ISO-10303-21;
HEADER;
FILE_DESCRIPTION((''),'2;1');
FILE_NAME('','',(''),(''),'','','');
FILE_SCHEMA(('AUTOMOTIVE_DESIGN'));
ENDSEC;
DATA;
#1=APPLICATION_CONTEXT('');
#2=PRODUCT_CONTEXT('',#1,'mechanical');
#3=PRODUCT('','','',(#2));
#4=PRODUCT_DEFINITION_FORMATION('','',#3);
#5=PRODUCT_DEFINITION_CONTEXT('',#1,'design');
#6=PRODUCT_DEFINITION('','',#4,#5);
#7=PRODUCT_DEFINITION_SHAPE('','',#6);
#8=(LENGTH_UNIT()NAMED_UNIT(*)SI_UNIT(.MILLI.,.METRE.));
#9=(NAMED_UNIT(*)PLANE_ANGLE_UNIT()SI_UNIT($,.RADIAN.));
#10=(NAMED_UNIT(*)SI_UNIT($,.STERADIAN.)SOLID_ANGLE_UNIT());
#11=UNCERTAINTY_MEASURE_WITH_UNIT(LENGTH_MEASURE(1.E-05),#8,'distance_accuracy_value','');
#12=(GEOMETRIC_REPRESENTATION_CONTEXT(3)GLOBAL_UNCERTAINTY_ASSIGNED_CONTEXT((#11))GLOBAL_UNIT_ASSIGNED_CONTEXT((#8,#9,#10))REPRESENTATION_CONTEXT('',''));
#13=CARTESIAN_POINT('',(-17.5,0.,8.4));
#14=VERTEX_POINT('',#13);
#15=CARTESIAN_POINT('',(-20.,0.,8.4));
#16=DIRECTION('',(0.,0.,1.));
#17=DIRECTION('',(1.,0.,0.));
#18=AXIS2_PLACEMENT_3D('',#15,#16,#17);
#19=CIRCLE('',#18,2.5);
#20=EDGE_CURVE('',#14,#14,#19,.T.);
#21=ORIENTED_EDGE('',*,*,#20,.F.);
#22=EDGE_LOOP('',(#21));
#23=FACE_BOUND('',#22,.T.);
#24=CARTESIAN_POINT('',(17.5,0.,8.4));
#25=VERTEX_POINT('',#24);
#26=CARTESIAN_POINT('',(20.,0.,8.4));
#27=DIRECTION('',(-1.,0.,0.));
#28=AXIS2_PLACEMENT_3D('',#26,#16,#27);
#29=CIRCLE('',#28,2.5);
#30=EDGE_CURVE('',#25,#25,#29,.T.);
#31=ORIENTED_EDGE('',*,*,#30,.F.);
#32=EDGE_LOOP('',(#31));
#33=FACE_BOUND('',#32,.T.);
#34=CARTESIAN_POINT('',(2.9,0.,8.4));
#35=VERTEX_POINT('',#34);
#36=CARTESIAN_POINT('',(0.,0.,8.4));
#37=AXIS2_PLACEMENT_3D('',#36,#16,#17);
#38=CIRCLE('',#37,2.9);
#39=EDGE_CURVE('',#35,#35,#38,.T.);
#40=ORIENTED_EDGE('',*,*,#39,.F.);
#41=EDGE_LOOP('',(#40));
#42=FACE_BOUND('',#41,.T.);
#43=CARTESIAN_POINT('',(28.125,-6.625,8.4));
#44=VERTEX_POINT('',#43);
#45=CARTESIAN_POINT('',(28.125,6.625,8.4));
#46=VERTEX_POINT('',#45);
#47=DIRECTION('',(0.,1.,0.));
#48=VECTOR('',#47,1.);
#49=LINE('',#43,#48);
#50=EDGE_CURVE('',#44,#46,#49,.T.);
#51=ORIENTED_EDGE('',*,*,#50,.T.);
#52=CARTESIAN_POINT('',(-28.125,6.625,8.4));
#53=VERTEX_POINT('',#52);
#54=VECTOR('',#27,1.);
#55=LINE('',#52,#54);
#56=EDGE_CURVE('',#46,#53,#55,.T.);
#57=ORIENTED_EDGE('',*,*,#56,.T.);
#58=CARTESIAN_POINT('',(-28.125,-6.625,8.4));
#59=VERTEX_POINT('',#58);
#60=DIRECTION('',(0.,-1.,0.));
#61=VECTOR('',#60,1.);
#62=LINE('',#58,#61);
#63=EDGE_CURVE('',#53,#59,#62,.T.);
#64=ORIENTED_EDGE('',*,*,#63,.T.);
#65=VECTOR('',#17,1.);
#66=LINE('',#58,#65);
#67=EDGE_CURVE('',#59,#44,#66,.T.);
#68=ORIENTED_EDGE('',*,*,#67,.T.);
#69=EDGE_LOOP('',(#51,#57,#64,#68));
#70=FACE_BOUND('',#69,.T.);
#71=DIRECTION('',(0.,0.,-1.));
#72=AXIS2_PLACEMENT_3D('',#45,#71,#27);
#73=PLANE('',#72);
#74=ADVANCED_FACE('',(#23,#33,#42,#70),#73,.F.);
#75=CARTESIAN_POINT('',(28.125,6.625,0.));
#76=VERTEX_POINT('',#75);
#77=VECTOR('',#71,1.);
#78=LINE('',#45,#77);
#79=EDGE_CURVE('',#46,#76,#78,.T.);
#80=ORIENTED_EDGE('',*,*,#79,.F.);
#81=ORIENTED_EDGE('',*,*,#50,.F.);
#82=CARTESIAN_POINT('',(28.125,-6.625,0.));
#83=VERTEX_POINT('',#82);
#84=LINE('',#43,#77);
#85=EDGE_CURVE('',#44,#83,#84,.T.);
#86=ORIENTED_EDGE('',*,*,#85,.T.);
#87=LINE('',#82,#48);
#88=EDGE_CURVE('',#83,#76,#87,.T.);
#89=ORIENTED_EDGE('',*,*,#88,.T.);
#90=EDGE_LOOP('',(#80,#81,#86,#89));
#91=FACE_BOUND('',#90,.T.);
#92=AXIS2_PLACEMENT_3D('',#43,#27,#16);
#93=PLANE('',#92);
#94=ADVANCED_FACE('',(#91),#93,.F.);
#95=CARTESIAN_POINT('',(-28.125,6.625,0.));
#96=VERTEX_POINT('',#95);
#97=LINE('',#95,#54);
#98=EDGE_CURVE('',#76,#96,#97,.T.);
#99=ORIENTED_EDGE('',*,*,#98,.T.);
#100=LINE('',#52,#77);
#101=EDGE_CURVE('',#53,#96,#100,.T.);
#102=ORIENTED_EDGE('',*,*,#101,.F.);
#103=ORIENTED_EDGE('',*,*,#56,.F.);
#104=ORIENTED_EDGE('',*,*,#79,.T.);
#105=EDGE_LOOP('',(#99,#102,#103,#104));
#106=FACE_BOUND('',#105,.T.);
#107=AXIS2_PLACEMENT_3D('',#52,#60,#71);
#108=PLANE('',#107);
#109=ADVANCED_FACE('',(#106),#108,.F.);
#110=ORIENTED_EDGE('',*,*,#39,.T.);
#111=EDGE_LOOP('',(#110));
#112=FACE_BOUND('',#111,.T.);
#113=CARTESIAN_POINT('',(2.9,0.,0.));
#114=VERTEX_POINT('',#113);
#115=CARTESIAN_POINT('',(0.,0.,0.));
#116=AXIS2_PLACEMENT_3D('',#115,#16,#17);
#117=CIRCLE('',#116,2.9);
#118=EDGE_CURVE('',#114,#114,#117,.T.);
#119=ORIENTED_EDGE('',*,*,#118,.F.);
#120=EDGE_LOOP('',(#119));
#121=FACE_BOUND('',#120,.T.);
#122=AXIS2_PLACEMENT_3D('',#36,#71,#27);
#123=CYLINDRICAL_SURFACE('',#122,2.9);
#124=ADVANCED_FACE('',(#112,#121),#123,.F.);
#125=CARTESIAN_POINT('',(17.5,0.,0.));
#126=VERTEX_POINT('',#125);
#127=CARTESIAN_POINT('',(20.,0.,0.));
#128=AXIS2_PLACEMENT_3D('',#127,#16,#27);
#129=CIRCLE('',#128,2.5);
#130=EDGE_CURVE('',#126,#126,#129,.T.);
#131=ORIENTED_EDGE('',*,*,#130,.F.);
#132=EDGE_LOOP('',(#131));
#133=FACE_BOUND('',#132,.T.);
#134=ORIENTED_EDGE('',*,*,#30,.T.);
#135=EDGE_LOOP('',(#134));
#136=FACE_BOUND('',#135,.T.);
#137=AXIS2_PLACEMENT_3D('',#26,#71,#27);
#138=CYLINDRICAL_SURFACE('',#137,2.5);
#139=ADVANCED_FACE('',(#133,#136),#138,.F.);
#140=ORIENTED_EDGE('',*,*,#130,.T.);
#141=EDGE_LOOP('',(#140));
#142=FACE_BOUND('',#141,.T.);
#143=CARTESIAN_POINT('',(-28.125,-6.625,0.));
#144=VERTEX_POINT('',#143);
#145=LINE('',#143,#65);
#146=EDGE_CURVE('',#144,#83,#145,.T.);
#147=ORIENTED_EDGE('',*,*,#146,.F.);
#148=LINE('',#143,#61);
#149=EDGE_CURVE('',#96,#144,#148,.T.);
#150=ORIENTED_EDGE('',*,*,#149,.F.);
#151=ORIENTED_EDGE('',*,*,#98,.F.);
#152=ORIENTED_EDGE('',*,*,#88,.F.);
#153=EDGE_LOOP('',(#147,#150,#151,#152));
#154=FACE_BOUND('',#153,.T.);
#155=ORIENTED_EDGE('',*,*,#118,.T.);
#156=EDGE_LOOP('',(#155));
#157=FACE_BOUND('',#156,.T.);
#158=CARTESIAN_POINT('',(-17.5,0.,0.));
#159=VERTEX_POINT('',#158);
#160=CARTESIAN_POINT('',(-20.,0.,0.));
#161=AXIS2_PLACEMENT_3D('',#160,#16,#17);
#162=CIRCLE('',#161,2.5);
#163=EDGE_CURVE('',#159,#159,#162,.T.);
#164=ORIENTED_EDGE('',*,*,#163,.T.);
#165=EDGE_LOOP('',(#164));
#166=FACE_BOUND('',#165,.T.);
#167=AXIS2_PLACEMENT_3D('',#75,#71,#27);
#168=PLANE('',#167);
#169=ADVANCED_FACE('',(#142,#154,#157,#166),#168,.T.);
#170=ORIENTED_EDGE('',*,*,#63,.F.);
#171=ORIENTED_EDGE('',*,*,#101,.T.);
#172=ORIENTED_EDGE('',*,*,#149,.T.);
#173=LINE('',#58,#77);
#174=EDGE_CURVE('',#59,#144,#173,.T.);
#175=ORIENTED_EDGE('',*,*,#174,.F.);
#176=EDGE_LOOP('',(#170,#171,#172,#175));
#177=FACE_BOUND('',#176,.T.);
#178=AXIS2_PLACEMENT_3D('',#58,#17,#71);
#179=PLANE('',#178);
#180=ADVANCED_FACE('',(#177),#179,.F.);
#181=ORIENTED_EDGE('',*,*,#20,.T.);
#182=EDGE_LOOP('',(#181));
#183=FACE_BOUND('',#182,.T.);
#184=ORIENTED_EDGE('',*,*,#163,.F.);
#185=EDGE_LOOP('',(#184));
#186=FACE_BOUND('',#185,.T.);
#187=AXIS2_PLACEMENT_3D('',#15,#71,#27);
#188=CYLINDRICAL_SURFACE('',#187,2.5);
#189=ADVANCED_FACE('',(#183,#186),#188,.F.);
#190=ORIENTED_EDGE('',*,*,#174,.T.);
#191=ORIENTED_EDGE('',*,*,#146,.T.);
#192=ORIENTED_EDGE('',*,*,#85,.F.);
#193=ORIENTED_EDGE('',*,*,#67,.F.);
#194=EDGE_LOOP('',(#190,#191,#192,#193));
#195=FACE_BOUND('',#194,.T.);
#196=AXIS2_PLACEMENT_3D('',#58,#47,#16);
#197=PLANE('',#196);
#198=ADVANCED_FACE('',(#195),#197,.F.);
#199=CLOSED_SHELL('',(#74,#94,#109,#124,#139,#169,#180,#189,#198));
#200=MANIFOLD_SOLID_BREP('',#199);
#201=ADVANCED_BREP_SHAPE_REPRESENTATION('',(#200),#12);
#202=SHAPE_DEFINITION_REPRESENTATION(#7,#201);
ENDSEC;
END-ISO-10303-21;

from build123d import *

# Parameters (mm, degrees)
SKETCH1_W           = 56.25
SKETCH1_H           = 13.25
SKETCH1_R           = 2.9
SKETCH1_R_2         = 2.5
BOSS_EXTRUDE1_DEPTH = 8.4


with BuildPart() as part:
    # Sketch1 → Boss-Extrude1 (new body)
    with BuildSketch(Plane.XY):
        Rectangle(SKETCH1_W, SKETCH1_H)
        Circle(SKETCH1_R, mode=Mode.SUBTRACT)
        with Locations((-20, 0)):
            Circle(SKETCH1_R_2, mode=Mode.SUBTRACT)
        with Locations((20, 0)):
            Circle(SKETCH1_R_2, mode=Mode.SUBTRACT)
    extrude(amount=BOSS_EXTRUDE1_DEPTH)


solid = part.part
